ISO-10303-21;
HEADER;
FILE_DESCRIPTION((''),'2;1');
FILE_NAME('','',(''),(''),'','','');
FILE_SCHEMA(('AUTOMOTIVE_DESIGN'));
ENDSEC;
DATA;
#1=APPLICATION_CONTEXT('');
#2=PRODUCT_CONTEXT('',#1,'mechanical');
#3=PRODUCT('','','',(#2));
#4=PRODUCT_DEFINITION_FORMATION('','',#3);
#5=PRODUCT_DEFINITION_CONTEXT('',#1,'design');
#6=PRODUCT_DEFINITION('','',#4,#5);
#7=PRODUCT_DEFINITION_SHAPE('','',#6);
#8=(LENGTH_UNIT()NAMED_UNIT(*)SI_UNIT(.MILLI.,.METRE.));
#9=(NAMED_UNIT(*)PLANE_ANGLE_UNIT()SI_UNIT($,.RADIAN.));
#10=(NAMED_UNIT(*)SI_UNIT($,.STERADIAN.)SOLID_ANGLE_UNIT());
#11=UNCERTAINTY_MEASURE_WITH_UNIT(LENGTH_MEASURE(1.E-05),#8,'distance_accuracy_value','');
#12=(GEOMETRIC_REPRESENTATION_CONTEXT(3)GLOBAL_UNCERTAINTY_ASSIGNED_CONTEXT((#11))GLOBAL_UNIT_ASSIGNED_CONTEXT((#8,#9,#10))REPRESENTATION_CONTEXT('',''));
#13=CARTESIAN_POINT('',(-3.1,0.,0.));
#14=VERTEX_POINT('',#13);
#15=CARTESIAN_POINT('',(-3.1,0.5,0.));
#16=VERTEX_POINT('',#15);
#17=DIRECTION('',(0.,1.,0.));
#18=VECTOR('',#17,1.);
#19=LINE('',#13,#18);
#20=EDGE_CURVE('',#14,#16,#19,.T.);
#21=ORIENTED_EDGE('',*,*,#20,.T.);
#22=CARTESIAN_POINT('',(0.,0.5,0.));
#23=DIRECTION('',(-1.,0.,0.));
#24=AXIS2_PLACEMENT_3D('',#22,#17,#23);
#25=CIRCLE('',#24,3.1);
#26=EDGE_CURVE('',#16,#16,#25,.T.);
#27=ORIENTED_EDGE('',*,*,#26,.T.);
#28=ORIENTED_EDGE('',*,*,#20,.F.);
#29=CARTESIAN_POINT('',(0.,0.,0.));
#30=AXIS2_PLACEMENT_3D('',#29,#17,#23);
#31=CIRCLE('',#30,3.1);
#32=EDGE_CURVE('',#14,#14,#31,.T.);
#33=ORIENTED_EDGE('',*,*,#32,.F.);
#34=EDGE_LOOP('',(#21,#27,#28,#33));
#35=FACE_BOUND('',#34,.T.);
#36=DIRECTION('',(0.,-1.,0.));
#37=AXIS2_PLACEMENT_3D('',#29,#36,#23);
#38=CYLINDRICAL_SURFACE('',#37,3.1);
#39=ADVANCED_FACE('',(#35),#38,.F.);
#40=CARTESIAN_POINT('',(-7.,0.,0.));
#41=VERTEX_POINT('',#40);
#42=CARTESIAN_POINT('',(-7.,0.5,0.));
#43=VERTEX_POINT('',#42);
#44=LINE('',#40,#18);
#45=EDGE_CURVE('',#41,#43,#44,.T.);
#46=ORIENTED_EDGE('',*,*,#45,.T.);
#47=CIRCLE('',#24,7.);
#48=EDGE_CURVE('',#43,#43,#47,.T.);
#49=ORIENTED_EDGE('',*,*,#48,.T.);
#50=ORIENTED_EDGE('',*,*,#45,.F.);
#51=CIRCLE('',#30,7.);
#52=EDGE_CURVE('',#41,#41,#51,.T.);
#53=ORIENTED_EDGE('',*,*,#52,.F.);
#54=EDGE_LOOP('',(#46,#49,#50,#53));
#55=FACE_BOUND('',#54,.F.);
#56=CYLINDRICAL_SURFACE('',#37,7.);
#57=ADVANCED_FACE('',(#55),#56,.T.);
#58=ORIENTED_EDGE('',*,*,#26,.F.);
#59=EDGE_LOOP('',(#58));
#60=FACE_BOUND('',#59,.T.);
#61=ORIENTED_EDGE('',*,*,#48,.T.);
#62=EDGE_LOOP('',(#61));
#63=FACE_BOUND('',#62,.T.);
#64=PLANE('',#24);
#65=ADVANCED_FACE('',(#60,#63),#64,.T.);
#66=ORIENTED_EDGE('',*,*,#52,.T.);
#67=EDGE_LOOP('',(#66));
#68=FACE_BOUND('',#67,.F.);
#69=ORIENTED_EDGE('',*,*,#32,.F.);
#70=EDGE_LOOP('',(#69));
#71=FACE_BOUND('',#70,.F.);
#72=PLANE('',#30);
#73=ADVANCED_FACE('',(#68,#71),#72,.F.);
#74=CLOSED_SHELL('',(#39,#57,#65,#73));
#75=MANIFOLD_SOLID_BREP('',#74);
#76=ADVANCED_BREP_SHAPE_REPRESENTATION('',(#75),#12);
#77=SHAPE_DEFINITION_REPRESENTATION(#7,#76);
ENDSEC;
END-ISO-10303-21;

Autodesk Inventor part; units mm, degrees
ref_plane "YZ Plane" through (0, 0, 0) normal (1, 0, 0) x (0, 1, 0)
ref_plane "XZ Plane" through (0, 0, 0) normal (0, 1, 0) x (-1, 0, 0)
ref_plane "XY Plane" through (0, 0, 0) normal (0, 0, 1) x (1, 0, 0)
sketch "スケッチ1" plane through (0, 0, 0) normal (0, 1, 0) x (-1, 0, 0)
  circle A0 centre (0, 0) radius 3.1
  circle A1 centre (0, 0) radius 7
  dimension "d0" = 6.2
  dimension "d1" = 14
extrude "押し出し1" add sketch "スケッチ1" along normal blind 0.5
properties part number "ワッシャー6.2,14.0.5t" material "アセタール樹脂、白"
